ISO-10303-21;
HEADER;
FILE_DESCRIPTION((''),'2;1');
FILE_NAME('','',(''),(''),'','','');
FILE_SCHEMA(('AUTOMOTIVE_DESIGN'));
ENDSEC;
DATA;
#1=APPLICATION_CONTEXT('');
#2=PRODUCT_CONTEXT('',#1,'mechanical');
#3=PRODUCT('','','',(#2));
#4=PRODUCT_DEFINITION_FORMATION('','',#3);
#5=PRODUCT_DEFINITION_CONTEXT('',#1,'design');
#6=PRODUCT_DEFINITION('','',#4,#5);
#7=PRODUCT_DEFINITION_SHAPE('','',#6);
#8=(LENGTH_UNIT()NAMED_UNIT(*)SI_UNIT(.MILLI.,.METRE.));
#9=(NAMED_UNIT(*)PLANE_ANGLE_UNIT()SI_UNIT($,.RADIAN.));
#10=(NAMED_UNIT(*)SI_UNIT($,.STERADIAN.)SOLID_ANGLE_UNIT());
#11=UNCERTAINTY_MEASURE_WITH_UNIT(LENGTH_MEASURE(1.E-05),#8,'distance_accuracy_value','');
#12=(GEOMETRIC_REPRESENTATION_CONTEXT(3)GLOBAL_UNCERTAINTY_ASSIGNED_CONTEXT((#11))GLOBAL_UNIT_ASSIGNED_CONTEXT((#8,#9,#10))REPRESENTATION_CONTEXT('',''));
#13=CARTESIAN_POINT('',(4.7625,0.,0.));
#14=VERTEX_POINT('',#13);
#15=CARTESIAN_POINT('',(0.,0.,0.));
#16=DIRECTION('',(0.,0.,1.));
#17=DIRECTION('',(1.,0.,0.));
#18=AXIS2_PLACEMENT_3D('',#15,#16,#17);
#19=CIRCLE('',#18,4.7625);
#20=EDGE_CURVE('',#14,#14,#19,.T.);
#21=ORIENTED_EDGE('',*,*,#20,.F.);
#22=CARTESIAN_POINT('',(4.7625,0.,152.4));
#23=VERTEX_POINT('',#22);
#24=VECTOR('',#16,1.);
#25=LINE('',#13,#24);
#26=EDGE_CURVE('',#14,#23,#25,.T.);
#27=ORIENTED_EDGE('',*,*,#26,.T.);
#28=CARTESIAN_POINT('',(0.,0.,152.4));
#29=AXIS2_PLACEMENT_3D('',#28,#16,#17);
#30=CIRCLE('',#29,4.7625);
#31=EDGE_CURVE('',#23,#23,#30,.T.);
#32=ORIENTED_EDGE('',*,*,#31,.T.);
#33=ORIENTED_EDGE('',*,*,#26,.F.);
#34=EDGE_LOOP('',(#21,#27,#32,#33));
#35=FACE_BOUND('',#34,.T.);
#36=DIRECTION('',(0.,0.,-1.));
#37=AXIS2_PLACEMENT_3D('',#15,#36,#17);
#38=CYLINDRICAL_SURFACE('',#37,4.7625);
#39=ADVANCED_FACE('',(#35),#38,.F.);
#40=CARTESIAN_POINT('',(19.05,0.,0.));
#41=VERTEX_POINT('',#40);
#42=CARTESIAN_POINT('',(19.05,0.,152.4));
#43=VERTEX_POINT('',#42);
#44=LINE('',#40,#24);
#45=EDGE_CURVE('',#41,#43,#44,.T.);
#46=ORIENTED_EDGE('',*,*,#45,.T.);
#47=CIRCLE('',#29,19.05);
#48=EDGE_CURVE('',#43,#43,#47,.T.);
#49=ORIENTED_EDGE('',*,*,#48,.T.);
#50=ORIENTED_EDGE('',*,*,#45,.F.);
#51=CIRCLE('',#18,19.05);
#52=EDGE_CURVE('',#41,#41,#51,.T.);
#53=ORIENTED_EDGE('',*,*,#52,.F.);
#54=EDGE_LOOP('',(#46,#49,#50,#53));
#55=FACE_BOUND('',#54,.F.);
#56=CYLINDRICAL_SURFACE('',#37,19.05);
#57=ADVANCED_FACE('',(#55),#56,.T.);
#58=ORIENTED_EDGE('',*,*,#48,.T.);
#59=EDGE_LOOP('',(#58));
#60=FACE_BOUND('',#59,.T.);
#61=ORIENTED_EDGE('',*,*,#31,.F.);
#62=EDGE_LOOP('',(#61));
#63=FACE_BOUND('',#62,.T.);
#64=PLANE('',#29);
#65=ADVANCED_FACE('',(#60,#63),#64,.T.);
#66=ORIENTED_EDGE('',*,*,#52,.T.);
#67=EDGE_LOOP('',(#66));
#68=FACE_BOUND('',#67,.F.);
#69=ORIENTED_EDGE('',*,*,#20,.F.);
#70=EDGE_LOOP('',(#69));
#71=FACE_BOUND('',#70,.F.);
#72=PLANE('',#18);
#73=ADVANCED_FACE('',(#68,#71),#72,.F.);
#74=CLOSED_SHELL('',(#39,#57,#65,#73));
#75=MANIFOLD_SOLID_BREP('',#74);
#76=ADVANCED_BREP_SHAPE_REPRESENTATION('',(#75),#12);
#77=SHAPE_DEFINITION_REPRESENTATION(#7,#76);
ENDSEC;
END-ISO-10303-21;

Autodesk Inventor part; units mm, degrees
ref_plane "YZ Plane" through (0, 0, 0) normal (1, 0, 0) x (0, 1, 0)
ref_plane "XZ Plane" through (0, 0, 0) normal (0, 1, 0) x (-1, 0, 0)
ref_plane "XY Plane" through (0, 0, 0) normal (0, 0, 1) x (1, 0, 0)
sketch "Sketch1" plane through (0, 0, 0) normal (0, 0, 1) x (1, 0, 0)
  circle A0 centre (0, 0) radius 4.7625
  circle A1 centre (0, 0) radius 19.05
  dimension "d0" = 9.525
  dimension "d1" = 38.1
extrude "Extrusion1" add sketch "Sketch1" along normal blind 152.4
properties part number "Roller_Top" material "High Density Polyethylene"
